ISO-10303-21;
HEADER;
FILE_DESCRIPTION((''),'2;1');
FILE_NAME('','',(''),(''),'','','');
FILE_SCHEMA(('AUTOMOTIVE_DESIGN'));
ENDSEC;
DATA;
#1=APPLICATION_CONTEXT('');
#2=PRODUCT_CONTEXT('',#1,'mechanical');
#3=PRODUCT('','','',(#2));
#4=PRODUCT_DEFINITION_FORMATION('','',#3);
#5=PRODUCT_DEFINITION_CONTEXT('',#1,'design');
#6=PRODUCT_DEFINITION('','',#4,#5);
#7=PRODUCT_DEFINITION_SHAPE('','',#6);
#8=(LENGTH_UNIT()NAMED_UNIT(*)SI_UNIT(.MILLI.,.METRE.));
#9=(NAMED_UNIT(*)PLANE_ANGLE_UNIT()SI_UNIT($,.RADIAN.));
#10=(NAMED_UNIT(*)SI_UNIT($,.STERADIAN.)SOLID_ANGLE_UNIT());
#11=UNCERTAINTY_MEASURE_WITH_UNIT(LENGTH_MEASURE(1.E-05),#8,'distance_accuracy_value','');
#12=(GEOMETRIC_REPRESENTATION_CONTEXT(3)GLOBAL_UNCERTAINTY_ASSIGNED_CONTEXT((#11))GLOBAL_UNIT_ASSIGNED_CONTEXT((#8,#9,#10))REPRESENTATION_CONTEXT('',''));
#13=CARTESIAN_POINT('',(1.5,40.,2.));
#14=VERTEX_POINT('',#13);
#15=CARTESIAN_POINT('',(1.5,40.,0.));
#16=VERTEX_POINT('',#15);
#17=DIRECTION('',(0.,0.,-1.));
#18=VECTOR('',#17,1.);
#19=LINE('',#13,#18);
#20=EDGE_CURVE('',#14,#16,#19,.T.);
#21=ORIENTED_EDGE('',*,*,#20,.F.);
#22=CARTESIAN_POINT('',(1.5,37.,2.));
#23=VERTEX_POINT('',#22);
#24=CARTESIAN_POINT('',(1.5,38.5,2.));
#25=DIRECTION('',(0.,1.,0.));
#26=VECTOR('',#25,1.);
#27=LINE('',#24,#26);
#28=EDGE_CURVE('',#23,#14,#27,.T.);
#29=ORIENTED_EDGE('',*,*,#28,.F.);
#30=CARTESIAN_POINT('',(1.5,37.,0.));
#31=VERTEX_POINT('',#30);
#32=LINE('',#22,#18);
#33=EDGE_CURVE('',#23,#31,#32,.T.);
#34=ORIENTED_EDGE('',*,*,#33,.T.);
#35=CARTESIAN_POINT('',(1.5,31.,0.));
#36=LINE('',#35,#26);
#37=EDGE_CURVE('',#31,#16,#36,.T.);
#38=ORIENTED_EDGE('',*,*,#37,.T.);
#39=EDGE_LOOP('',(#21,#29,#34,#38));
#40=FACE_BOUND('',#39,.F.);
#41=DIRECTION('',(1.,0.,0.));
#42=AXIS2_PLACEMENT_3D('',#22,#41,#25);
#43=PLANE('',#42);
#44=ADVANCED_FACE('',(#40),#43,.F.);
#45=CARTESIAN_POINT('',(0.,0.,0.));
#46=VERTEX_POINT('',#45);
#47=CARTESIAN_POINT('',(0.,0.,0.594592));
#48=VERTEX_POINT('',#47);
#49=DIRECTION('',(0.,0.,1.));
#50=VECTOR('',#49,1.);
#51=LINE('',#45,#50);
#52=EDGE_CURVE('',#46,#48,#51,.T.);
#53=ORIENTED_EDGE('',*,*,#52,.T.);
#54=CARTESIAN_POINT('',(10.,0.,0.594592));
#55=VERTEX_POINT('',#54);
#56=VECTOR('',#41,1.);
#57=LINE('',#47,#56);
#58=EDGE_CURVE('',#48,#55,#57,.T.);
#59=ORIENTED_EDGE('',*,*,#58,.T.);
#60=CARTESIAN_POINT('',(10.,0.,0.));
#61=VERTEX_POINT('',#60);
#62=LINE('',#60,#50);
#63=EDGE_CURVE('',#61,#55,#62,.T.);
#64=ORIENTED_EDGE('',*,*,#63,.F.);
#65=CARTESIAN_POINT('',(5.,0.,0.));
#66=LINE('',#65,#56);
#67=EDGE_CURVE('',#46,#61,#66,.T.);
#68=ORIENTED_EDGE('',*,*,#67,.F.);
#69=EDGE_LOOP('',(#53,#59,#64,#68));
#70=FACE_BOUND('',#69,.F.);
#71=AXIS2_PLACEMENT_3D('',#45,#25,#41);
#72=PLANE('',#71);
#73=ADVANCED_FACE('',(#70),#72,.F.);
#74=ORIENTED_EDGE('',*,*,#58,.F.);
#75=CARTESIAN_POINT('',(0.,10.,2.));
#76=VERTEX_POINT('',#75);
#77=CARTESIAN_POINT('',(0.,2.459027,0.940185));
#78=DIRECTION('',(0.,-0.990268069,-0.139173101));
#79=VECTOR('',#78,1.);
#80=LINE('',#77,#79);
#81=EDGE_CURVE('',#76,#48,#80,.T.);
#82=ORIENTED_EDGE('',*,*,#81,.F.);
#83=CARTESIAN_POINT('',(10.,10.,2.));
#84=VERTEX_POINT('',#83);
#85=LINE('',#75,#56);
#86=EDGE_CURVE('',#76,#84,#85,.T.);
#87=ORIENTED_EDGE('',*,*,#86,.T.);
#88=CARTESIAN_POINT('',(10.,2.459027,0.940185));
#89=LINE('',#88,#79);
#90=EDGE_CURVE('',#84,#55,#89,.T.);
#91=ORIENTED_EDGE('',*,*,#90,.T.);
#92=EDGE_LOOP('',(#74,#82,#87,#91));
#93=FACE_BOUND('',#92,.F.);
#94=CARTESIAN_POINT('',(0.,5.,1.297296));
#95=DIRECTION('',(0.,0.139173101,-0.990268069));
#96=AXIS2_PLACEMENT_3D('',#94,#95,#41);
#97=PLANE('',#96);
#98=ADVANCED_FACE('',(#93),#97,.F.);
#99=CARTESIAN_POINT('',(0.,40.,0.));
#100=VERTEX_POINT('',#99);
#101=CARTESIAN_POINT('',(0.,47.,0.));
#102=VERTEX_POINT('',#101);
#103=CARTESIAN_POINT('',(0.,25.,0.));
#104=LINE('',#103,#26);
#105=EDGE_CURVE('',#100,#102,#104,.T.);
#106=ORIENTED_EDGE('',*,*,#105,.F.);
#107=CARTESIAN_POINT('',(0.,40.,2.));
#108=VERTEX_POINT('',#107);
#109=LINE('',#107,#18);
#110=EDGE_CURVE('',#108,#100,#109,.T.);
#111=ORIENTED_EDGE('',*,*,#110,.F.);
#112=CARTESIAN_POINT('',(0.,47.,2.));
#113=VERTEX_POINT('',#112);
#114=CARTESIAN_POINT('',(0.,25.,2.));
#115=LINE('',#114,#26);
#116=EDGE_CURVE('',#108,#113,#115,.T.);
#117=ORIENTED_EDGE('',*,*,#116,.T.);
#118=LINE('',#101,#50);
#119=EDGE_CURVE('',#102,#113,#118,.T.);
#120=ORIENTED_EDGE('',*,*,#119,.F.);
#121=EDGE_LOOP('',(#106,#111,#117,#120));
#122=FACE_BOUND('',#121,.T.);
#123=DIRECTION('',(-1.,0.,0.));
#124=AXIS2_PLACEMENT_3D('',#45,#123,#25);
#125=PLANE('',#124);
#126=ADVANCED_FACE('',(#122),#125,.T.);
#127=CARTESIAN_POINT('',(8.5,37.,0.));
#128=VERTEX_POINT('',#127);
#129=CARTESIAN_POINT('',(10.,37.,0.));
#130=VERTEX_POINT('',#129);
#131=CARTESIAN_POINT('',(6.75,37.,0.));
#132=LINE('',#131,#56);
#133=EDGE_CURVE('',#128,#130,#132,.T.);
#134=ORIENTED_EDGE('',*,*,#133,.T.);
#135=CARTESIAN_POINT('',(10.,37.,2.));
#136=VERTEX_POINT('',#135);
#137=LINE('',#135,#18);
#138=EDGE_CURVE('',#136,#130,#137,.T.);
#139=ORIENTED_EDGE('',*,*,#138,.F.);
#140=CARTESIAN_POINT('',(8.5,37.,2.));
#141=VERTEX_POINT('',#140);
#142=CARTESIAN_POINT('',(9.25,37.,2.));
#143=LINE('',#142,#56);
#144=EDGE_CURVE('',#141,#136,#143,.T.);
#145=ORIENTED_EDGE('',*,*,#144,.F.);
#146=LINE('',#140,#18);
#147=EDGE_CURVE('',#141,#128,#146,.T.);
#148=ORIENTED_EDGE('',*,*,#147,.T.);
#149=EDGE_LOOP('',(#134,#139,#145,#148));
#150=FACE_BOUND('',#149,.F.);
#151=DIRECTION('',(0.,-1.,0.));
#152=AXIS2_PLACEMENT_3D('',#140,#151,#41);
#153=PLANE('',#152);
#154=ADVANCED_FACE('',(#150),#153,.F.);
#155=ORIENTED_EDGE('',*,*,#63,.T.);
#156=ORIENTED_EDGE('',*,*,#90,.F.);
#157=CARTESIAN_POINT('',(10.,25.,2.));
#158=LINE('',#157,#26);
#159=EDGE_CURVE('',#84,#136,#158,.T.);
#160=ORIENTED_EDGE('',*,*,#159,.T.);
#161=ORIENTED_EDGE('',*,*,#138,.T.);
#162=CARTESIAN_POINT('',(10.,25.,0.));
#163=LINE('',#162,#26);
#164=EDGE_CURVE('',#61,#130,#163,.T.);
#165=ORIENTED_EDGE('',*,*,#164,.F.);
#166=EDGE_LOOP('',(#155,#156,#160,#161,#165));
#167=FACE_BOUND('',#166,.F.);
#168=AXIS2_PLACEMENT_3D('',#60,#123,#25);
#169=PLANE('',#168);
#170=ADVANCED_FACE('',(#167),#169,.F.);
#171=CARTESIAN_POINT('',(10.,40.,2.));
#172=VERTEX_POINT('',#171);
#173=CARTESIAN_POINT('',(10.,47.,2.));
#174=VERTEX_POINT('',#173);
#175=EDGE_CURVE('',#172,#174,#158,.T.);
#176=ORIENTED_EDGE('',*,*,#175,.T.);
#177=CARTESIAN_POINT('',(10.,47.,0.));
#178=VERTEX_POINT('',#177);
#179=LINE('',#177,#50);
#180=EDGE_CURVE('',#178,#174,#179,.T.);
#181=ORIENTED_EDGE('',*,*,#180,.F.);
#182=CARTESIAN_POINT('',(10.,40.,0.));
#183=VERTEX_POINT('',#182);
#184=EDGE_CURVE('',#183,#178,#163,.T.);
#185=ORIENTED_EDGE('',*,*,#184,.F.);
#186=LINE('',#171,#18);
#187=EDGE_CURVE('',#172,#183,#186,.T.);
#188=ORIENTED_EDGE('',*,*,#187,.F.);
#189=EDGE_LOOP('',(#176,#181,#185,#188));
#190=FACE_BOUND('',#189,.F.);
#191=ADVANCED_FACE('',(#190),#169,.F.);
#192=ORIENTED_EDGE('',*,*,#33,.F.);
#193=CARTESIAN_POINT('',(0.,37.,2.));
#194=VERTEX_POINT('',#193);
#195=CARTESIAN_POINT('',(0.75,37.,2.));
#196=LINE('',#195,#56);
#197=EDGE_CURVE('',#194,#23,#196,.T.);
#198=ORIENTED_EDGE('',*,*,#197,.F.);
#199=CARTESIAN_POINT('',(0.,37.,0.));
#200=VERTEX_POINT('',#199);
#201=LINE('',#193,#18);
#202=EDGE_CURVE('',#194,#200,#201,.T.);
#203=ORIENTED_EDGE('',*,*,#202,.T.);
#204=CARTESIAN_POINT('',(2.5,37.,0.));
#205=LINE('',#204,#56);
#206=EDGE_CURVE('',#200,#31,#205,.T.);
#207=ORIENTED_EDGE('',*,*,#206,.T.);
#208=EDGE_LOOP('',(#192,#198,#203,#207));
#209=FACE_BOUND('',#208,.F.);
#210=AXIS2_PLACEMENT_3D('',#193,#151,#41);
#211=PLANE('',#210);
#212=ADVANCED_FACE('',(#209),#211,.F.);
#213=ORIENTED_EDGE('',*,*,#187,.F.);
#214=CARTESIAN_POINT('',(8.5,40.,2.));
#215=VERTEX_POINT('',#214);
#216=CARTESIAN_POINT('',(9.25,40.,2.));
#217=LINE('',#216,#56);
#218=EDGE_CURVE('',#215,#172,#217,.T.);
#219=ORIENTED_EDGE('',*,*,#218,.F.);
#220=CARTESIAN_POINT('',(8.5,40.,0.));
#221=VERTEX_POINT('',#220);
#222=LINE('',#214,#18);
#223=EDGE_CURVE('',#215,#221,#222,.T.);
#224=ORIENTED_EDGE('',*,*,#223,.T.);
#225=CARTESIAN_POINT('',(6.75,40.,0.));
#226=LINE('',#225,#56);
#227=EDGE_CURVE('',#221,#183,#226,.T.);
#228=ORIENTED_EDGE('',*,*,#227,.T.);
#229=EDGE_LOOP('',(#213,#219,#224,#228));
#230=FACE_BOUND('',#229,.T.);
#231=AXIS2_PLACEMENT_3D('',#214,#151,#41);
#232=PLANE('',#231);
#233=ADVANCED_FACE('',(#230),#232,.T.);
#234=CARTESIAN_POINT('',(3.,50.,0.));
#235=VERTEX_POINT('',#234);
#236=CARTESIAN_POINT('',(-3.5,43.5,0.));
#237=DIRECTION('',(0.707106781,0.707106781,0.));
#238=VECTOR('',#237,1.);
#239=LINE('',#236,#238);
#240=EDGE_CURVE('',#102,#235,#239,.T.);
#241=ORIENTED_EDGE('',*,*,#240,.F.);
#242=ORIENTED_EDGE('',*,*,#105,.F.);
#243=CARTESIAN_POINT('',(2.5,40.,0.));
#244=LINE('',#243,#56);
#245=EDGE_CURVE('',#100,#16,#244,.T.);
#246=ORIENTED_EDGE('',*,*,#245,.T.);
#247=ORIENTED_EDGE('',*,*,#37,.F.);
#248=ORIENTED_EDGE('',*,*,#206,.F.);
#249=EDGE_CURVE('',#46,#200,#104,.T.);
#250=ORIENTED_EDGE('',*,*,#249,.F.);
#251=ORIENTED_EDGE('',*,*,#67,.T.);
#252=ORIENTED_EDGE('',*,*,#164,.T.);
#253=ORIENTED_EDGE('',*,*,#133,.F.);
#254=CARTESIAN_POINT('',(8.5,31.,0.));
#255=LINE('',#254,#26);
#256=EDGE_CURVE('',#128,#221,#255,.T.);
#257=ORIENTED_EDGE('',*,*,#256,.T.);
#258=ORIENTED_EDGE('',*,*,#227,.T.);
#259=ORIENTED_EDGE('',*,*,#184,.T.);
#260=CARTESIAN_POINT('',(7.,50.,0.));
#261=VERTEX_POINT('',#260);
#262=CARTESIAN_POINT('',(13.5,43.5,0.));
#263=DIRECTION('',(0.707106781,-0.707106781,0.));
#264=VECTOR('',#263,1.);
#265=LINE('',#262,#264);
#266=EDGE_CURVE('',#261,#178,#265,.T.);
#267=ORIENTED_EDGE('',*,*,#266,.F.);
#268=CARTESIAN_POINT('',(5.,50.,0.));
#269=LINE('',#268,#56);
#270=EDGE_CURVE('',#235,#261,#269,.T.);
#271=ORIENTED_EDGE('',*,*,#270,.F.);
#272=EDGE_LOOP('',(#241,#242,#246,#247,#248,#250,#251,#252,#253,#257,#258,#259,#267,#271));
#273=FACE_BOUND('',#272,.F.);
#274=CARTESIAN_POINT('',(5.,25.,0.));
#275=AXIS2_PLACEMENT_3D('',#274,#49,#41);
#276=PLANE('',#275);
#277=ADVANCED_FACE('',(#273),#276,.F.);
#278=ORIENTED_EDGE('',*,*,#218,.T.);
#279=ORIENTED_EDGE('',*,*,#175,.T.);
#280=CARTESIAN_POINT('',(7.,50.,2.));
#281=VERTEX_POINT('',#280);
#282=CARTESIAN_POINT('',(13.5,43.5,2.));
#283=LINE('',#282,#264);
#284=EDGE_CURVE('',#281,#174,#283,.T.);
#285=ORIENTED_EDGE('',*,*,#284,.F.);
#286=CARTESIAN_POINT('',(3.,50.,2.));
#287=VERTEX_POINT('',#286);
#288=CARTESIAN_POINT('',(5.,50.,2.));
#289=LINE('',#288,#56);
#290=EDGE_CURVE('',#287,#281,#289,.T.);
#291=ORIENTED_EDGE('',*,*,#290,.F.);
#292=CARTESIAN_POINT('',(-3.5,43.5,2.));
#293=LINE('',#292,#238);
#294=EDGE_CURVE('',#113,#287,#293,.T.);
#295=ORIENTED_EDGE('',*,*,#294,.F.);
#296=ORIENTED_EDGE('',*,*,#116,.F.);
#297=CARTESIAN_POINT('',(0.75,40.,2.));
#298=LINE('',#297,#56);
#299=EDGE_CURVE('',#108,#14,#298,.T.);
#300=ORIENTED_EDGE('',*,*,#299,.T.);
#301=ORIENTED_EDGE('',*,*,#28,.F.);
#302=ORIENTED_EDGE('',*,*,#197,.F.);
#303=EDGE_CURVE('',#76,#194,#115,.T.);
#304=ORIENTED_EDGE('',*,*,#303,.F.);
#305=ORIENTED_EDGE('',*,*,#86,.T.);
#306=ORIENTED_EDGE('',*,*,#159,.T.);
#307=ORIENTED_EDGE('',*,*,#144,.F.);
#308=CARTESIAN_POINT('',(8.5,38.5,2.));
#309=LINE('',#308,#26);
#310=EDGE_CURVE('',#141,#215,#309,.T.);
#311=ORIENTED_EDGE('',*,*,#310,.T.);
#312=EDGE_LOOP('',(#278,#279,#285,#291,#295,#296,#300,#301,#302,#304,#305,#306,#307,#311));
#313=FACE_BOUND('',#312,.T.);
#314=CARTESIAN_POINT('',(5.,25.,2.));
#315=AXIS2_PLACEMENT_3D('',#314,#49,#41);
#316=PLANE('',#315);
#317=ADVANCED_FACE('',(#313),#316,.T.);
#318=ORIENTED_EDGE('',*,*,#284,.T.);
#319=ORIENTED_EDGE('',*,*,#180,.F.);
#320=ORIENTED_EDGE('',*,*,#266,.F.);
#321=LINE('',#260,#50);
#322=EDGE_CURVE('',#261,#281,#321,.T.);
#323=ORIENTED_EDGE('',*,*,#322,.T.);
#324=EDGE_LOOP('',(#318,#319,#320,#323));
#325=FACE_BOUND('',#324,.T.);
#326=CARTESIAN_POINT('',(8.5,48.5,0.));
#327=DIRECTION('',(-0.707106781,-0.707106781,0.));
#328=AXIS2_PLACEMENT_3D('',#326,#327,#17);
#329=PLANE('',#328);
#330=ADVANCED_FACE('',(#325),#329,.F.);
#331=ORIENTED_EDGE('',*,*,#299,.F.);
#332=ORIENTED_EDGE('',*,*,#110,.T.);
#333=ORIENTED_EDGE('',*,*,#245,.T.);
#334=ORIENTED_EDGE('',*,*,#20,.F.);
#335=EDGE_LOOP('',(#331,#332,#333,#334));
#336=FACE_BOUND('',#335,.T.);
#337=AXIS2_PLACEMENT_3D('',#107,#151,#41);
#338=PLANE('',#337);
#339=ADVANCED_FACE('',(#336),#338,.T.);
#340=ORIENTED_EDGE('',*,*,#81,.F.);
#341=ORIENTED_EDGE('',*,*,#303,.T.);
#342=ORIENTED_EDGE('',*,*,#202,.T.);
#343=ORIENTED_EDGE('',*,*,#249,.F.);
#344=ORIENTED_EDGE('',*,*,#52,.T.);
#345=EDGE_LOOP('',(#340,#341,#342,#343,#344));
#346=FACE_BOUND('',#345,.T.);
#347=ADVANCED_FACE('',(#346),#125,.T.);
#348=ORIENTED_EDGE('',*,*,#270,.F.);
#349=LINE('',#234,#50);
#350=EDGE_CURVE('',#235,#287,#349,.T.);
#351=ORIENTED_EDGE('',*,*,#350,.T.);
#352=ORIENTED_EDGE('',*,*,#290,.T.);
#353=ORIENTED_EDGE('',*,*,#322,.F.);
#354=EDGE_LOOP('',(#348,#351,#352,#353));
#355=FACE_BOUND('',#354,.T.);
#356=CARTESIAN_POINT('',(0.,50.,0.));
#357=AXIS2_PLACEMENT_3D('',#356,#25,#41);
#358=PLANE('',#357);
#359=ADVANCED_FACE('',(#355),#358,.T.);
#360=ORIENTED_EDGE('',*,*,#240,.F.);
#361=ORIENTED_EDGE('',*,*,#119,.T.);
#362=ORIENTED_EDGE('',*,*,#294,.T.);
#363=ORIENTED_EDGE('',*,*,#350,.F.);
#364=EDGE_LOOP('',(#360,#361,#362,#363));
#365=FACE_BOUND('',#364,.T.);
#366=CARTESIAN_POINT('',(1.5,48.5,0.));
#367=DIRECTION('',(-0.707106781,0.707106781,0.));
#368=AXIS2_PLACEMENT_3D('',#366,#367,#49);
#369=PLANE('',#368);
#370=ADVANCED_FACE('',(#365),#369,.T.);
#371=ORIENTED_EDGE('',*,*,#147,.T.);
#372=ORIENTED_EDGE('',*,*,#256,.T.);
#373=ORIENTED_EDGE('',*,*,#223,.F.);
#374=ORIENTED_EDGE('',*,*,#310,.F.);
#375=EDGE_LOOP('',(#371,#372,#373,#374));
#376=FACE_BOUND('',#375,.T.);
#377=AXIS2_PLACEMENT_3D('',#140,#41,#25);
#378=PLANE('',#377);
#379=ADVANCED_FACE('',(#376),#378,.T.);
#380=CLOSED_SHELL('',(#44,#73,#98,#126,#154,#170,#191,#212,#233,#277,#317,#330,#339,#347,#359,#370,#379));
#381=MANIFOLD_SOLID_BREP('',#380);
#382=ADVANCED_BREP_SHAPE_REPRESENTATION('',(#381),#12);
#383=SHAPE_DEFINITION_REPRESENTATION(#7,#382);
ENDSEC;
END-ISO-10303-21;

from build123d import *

# Parameters (mm, degrees)
SKETCH_W        = 10
SKETCH_H        = 50
PAD_DEPTH       = 2
SKETCH001_W     = 1.5
SKETCH001_H     = 3
POCKET_DEPTH    = 3
CHAMFER_ANGLE   = 8
CHAMFER_SIZE    = 10
CHAMFER001_SIZE = 3


with BuildPart() as part:
    # Sketch → Pad (new body)
    with BuildSketch(Plane.XY):
        with Locations((5, 25)):
            Rectangle(SKETCH_W, SKETCH_H)
    extrude(amount=PAD_DEPTH)

    # Sketch001 (on Face6 of Pad) → Pocket (cut)
    with BuildSketch(Plane.XY.offset(2)):
        with Locations((9.25, 38.5)):
            Rectangle(SKETCH001_W, SKETCH001_H)
        with Locations((0.75, 38.5)):
            Rectangle(SKETCH001_W, SKETCH001_H)
    extrude(amount=-POCKET_DEPTH, mode=Mode.SUBTRACT)

    # Chamfer
    chamfer_edges = [part.edges().sort_by_distance(p)[0] for p in [
        (5, 0, 2),
    ]]
    chamfer_side = part.faces().sort_by_distance((5, 24.752546, 2))[0]
    chamfer(chamfer_edges, length=CHAMFER_SIZE, angle=CHAMFER_ANGLE, reference=chamfer_side)

    # Chamfer001
    chamfer001_edges = [part.edges().sort_by_distance(p)[0] for p in [
        (0, 50, 1),
        (10, 50, 1),
    ]]
    chamfer(chamfer001_edges, length=CHAMFER001_SIZE)


solid = part.part
